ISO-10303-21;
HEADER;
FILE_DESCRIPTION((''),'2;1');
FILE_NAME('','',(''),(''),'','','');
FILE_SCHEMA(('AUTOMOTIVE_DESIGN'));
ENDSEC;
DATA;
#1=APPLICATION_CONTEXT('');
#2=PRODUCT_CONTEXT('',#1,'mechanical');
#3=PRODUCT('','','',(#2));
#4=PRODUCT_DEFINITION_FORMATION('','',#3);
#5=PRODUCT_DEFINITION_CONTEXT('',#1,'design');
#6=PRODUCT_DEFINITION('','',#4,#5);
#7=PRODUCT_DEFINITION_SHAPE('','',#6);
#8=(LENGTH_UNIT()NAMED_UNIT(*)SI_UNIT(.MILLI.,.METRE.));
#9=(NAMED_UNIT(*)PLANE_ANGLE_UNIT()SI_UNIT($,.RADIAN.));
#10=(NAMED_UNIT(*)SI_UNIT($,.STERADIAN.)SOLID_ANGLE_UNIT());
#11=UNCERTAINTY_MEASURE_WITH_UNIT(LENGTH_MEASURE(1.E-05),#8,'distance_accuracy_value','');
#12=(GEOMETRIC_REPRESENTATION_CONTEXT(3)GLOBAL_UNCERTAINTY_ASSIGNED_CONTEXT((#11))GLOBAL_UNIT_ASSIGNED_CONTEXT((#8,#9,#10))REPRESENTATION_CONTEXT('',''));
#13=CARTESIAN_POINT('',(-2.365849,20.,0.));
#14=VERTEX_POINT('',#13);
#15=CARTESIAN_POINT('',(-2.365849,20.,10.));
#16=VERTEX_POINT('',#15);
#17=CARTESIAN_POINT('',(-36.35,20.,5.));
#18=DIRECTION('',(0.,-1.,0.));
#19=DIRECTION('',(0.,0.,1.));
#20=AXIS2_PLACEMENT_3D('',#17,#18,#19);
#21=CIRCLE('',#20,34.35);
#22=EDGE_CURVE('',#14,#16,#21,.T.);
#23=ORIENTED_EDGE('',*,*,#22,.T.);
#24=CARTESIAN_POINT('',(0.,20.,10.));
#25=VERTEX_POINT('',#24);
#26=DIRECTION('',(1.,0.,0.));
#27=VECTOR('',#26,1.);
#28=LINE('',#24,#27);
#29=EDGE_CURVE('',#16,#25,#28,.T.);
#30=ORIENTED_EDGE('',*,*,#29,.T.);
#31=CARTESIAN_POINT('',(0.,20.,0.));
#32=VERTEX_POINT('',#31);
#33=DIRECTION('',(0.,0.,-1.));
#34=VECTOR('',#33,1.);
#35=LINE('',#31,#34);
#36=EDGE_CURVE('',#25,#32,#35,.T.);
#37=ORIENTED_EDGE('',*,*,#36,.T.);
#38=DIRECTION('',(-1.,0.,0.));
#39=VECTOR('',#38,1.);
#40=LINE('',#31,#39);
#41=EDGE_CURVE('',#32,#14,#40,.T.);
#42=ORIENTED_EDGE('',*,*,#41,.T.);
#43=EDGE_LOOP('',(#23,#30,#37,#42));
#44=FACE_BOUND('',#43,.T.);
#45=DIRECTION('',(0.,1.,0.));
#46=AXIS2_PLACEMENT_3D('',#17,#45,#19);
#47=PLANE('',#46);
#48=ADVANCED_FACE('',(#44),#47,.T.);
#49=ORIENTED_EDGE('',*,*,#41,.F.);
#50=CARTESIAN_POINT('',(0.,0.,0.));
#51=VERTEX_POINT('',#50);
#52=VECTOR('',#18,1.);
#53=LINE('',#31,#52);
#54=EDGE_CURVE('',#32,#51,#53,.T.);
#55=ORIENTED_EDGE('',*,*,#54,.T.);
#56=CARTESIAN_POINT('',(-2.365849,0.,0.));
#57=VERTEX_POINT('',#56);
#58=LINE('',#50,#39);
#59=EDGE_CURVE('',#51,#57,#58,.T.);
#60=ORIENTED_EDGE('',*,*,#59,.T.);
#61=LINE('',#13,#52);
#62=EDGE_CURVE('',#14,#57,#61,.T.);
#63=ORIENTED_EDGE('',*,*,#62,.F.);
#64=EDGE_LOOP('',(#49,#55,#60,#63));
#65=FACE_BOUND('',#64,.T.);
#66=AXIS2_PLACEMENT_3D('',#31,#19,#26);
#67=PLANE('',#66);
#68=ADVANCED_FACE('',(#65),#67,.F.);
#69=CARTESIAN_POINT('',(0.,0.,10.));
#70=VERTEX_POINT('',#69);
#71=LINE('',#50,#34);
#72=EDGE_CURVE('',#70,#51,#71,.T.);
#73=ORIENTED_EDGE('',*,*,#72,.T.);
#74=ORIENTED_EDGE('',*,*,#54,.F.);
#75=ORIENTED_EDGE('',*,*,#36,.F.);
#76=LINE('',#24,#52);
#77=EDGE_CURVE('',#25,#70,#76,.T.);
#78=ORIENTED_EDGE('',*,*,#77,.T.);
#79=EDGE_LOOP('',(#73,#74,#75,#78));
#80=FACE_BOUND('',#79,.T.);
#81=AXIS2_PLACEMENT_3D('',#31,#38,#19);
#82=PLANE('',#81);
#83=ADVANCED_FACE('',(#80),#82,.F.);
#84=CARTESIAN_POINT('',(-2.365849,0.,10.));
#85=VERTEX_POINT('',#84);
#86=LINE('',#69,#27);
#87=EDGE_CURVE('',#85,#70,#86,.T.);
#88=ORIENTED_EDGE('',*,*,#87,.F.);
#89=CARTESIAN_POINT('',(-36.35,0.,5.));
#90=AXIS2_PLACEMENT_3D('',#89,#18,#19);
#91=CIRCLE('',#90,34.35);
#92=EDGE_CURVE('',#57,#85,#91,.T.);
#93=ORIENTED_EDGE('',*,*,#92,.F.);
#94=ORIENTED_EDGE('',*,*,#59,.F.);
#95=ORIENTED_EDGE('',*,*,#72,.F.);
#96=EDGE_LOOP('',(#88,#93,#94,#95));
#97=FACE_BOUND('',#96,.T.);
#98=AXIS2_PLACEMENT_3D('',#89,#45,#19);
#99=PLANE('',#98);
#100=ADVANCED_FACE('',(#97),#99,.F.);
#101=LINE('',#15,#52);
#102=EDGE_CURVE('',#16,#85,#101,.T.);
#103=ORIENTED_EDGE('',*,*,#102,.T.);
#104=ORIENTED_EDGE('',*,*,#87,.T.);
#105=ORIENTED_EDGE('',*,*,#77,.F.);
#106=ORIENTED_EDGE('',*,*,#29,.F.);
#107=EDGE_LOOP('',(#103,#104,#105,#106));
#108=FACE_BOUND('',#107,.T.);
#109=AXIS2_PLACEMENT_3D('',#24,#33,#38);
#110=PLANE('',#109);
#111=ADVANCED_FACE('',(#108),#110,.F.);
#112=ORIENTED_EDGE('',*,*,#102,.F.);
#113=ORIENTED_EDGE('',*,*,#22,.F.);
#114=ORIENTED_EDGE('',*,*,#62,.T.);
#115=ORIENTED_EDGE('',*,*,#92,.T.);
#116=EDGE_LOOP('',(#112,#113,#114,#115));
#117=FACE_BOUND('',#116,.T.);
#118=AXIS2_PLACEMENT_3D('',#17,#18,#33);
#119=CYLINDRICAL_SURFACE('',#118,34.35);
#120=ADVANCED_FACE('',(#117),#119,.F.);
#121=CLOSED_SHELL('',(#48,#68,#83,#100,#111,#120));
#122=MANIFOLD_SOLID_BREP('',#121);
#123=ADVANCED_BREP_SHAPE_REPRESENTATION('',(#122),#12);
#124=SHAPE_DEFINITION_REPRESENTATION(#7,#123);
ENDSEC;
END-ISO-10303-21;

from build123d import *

# Parameters (mm, degrees)
EXTRUDE_1_DEPTH = 20


with BuildPart() as part:
    # 草图1 → 凸台-拉伸1 (new body)
    with BuildSketch(Plane(origin=(0, 0, 0), x_dir=(1, 0, 0), z_dir=(0, 1, 0))):
        with BuildLine():
            Line((0, 0), (0, -10))
            Line((0, -10), (-2.365849282, -10))
            ThreePointArc((-2.365849282, -10), (-2, -5), (-2.365849282, 0))
            Line((-2.365849282, 0), (0, 0))
        make_face()
    extrude(amount=EXTRUDE_1_DEPTH)


solid = part.part
